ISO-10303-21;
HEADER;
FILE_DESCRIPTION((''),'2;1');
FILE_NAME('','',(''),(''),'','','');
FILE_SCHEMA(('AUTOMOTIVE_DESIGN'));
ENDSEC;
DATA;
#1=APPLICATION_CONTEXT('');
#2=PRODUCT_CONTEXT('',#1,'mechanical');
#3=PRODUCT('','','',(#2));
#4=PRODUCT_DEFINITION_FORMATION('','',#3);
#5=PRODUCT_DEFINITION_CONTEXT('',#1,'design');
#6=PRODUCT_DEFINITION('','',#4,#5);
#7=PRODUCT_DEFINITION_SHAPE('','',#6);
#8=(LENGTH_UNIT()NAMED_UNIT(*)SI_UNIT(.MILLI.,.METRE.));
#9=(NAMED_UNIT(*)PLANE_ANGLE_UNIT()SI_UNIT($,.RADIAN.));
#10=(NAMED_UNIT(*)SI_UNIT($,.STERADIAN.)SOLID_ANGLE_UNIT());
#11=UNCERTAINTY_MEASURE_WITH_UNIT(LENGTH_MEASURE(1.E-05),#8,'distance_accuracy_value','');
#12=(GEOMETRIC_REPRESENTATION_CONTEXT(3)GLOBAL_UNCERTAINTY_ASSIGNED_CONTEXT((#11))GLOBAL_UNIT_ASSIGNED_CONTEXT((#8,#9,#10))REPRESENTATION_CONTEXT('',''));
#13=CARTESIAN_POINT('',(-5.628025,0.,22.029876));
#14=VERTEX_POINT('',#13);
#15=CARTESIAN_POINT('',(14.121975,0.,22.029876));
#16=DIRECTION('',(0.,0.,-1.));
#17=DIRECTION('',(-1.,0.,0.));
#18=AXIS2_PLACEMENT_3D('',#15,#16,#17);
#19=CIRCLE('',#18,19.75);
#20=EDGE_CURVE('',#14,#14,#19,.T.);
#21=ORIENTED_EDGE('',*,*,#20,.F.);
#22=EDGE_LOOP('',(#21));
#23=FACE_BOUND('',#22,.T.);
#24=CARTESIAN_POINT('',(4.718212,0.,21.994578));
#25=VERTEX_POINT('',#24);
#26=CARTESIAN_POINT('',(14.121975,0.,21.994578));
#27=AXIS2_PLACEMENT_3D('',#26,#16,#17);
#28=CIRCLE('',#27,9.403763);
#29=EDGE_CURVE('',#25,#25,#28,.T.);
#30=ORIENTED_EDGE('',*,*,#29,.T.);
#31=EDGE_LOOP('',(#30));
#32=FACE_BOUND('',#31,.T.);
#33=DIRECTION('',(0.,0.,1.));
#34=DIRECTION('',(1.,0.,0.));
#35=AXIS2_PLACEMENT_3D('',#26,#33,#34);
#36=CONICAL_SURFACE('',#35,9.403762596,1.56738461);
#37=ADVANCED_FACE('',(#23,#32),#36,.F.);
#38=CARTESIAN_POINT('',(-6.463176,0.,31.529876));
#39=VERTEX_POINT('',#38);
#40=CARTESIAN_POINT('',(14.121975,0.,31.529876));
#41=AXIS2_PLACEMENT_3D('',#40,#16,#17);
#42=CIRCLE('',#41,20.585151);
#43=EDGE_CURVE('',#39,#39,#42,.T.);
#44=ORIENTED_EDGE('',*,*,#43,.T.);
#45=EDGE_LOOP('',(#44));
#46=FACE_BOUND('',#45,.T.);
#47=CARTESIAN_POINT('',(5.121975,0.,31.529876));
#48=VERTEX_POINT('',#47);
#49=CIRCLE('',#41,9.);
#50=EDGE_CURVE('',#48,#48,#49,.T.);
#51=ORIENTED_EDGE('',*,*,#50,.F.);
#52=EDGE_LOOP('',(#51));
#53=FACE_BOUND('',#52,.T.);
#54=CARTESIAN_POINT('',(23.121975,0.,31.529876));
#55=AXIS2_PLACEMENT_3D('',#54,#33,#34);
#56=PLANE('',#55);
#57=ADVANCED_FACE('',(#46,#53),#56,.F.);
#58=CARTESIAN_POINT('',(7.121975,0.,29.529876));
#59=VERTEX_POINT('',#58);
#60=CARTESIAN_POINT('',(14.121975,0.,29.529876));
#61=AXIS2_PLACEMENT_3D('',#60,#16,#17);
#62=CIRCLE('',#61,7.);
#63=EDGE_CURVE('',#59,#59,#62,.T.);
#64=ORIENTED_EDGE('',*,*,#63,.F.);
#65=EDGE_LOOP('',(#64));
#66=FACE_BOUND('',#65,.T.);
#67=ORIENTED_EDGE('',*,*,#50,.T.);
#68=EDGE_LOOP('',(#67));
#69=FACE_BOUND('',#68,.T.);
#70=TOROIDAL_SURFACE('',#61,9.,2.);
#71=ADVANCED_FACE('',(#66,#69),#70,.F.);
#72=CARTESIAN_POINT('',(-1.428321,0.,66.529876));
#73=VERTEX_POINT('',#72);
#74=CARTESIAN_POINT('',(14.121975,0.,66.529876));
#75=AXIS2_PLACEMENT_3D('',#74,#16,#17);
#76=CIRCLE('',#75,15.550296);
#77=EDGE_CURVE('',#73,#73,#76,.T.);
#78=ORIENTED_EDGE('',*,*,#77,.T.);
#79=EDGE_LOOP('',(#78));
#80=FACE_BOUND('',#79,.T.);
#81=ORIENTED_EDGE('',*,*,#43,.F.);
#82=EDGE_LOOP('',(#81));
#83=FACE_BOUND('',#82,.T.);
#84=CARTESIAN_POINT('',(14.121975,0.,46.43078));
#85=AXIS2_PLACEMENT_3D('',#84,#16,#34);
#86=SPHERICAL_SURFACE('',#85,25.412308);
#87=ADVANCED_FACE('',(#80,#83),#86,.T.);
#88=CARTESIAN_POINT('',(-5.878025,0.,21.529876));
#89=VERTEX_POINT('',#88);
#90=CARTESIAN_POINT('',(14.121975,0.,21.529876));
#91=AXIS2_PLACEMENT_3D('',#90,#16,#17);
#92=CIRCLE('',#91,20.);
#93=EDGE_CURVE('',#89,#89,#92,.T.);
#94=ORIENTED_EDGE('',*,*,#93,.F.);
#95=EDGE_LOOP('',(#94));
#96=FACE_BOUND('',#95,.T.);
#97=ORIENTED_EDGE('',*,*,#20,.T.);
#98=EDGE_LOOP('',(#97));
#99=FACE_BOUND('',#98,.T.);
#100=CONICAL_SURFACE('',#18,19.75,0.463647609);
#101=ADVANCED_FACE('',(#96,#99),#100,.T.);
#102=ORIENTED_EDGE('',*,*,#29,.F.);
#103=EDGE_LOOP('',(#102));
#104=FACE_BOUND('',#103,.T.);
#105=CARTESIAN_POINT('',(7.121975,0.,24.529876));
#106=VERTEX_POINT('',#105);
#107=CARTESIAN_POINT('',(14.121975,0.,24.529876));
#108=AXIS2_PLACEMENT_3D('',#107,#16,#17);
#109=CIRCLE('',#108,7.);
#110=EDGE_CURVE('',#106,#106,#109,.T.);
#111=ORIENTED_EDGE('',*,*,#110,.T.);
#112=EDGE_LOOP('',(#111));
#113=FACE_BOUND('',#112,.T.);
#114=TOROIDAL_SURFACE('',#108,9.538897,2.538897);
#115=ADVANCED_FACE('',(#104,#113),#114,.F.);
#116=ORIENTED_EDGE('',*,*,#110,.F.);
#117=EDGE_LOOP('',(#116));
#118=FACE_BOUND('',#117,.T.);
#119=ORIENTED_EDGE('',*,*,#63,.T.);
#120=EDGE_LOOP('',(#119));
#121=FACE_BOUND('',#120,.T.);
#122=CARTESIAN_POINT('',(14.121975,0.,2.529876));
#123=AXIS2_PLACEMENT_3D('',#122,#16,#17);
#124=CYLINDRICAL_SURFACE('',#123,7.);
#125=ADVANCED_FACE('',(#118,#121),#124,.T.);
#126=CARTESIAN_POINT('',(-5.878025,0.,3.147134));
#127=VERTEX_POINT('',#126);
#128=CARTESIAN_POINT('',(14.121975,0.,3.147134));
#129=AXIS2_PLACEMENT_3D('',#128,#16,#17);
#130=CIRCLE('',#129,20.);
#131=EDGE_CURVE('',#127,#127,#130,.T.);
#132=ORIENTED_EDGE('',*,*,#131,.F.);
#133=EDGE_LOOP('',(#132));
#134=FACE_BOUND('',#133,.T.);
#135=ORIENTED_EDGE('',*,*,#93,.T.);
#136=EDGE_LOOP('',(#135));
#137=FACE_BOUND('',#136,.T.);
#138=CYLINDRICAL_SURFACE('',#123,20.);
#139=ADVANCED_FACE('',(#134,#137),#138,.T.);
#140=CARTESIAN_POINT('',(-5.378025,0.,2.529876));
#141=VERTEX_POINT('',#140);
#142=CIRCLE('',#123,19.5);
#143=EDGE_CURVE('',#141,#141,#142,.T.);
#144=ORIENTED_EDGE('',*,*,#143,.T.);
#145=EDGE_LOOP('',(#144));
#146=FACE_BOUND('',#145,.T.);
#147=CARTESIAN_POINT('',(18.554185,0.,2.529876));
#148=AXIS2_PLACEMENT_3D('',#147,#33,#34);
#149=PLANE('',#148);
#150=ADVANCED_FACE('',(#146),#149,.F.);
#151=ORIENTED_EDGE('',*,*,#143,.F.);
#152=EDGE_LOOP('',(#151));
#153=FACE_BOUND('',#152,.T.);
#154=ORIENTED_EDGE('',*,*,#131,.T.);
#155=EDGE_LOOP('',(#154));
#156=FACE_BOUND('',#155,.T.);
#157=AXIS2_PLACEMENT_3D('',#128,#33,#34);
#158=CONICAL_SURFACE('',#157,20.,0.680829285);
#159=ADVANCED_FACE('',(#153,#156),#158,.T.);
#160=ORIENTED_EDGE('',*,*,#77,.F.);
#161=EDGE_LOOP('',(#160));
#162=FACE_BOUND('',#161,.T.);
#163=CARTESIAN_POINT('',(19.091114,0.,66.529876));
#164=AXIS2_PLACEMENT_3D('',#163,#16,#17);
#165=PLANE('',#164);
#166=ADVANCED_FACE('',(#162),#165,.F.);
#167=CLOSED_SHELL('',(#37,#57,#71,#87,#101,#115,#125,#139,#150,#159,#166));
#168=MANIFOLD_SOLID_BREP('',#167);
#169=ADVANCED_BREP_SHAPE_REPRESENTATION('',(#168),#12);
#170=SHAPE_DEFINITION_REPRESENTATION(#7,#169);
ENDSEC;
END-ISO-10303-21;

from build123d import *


with BuildPart() as part:
    # Sketch1 → Revolve1 (revolve)
    with BuildSketch(Plane(origin=(0, 0, 0), x_dir=(1, 0, 0), z_dir=(0, 1, 0))):
        with BuildLine():
            Line((18.554185143, -2.529876216), (28.121974873, -2.529876216))
            Line((28.121974873, -2.529876216), (33.621974873, -2.529876216))
            Line((33.621974873, -2.529876216), (34.121974873, -3.147134349))
            Line((34.121974873, -3.147134349), (34.121974873, -16.947673594))
            Line((34.121974873, -16.947673594), (34.121974873, -21.529876216))
            Line((34.121974873, -21.529876216), (33.871974873, -22.029876216))
            Line((33.871974873, -22.029876216), (23.525737468, -21.994577645))
            ThreePointArc((23.525737468, -21.994577645), (21.818442704, -22.783035248), (21.121974873, -24.529876216))
            Line((21.121974873, -24.529876216), (21.121974873, -29.529876216))
            ThreePointArc((21.121974873, -29.529876216), (21.70776131, -30.944089778), (23.121974873, -31.529876216))
            Line((23.121974873, -31.529876216), (23.163890071, -31.529876216))
            Line((23.163890071, -31.529876216), (25.892484704, -31.529876216))
            Line((25.892484704, -31.529876216), (34.707125886, -31.529876216))
            ThreePointArc((34.707125886, -31.529876216), (39.275357094, -50.049169414), (29.672271119, -66.529876216))
            Line((29.672271119, -66.529876216), (19.091113774, -66.529876216))
            Line((19.091113774, -66.529876216), (14.121974873, -66.529876216))
            Line((14.121974873, -66.529876216), (14.121974873, -2.529876216))
            Line((14.121974873, -2.529876216), (18.554185143, -2.529876216))
        make_face()
    revolve(axis=Axis((14.121974873, 0, 2.529876216), (0, 0, 1)))


solid = part.part
